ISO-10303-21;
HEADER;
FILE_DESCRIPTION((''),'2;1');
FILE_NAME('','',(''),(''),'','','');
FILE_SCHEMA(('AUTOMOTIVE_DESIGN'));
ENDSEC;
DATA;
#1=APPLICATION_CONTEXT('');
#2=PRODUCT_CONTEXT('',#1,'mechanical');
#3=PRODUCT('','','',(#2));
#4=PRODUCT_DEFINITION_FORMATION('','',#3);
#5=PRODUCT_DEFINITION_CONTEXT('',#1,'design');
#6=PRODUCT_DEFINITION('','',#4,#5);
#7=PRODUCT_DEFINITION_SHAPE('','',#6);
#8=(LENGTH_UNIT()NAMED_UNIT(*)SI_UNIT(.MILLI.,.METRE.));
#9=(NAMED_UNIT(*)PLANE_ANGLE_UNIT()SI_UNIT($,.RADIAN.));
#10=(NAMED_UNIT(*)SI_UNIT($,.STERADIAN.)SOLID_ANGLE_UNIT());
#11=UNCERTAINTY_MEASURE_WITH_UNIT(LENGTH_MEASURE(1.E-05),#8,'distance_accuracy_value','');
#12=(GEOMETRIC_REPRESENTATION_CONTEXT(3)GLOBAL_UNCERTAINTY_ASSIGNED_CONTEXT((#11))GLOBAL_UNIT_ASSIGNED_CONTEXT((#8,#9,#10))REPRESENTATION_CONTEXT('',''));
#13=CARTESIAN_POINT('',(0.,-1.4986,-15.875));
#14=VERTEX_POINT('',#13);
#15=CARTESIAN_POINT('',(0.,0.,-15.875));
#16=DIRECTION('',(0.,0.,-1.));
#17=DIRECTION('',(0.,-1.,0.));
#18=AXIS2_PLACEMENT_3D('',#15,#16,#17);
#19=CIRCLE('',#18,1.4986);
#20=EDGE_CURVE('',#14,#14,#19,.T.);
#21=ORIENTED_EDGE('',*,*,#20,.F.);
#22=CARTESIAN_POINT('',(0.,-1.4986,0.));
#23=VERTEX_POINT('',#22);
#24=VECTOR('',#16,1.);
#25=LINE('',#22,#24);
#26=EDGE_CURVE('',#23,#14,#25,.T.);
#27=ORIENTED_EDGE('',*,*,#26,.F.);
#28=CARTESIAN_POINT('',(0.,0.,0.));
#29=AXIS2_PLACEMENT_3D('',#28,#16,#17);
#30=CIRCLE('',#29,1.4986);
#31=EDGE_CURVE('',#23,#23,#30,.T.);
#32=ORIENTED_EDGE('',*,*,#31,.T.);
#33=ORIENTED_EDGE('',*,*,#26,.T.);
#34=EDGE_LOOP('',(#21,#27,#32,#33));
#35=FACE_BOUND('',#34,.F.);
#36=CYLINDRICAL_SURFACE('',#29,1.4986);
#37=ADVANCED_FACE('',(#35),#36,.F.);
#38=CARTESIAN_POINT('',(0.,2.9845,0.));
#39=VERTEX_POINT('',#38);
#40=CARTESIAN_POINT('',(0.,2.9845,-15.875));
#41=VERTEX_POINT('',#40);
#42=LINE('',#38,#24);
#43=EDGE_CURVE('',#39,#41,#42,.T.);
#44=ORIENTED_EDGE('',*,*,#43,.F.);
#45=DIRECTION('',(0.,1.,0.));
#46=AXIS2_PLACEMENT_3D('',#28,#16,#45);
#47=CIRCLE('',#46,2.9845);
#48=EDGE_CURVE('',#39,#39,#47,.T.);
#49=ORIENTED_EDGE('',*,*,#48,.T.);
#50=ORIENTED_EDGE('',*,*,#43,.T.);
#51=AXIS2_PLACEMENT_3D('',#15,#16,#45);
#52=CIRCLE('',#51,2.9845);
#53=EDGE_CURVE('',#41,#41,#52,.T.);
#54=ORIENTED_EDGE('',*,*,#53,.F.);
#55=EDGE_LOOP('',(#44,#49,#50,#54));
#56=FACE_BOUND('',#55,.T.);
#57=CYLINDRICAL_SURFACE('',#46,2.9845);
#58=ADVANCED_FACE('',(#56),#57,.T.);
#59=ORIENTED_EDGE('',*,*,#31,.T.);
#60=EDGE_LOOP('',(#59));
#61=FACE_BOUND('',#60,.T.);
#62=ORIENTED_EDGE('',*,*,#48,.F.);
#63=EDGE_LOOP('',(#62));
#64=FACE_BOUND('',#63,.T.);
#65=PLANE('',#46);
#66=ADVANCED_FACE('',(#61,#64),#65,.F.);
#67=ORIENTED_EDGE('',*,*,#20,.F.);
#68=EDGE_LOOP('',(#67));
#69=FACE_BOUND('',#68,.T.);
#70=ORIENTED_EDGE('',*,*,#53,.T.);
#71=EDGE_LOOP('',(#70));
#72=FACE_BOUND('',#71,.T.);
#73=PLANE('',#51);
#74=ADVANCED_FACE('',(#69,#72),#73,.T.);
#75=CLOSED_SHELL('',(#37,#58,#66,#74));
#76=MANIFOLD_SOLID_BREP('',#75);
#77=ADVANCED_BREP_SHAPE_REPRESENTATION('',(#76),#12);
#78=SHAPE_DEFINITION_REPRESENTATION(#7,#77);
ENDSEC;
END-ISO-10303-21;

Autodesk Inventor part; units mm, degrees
sketch "Sketch_1" plane through (0, 0, 0) normal (1, 0, 0) x (0, 1, 0)
  line L0 (0, -15.875) -> (0, 0)
  line L1 (0, 0) -> (2.9845, 0)
  line L2 (2.9845, 0) -> (2.9845, -15.875)
  line L3 (2.9845, -15.875) -> (0, -15.875)
  line L4 (0, -15.875) -> (0, 0)
revolve "Revolution1" add sketch "Sketch_1" angle 360 about axis through (0, 0, -15.875) along (0, 0, -1)
sketch "Sketch2" plane through (0, 0, 0) normal (0, 0, 1) x (1, 0, 0)
  point P0 (0, 0)
hole "Hole1" at (0, 0, 0) direction (0, 0, -1) diameter 2.9972 depth 15.875
ref_plane "screw_XY" through (0, 0, 0) normal (0, 0, 1) x (1, 0, 0)
ref_plane "screw_YZ" through (0, 0, 0) normal (1, 0, 0) x (0, 1, 0)
ref_plane "screw_ZX" through (0, 0, 0) normal (0, 1, 0) x (0, 0, 1)
properties part number "POST0.5625-0.625-bif"
